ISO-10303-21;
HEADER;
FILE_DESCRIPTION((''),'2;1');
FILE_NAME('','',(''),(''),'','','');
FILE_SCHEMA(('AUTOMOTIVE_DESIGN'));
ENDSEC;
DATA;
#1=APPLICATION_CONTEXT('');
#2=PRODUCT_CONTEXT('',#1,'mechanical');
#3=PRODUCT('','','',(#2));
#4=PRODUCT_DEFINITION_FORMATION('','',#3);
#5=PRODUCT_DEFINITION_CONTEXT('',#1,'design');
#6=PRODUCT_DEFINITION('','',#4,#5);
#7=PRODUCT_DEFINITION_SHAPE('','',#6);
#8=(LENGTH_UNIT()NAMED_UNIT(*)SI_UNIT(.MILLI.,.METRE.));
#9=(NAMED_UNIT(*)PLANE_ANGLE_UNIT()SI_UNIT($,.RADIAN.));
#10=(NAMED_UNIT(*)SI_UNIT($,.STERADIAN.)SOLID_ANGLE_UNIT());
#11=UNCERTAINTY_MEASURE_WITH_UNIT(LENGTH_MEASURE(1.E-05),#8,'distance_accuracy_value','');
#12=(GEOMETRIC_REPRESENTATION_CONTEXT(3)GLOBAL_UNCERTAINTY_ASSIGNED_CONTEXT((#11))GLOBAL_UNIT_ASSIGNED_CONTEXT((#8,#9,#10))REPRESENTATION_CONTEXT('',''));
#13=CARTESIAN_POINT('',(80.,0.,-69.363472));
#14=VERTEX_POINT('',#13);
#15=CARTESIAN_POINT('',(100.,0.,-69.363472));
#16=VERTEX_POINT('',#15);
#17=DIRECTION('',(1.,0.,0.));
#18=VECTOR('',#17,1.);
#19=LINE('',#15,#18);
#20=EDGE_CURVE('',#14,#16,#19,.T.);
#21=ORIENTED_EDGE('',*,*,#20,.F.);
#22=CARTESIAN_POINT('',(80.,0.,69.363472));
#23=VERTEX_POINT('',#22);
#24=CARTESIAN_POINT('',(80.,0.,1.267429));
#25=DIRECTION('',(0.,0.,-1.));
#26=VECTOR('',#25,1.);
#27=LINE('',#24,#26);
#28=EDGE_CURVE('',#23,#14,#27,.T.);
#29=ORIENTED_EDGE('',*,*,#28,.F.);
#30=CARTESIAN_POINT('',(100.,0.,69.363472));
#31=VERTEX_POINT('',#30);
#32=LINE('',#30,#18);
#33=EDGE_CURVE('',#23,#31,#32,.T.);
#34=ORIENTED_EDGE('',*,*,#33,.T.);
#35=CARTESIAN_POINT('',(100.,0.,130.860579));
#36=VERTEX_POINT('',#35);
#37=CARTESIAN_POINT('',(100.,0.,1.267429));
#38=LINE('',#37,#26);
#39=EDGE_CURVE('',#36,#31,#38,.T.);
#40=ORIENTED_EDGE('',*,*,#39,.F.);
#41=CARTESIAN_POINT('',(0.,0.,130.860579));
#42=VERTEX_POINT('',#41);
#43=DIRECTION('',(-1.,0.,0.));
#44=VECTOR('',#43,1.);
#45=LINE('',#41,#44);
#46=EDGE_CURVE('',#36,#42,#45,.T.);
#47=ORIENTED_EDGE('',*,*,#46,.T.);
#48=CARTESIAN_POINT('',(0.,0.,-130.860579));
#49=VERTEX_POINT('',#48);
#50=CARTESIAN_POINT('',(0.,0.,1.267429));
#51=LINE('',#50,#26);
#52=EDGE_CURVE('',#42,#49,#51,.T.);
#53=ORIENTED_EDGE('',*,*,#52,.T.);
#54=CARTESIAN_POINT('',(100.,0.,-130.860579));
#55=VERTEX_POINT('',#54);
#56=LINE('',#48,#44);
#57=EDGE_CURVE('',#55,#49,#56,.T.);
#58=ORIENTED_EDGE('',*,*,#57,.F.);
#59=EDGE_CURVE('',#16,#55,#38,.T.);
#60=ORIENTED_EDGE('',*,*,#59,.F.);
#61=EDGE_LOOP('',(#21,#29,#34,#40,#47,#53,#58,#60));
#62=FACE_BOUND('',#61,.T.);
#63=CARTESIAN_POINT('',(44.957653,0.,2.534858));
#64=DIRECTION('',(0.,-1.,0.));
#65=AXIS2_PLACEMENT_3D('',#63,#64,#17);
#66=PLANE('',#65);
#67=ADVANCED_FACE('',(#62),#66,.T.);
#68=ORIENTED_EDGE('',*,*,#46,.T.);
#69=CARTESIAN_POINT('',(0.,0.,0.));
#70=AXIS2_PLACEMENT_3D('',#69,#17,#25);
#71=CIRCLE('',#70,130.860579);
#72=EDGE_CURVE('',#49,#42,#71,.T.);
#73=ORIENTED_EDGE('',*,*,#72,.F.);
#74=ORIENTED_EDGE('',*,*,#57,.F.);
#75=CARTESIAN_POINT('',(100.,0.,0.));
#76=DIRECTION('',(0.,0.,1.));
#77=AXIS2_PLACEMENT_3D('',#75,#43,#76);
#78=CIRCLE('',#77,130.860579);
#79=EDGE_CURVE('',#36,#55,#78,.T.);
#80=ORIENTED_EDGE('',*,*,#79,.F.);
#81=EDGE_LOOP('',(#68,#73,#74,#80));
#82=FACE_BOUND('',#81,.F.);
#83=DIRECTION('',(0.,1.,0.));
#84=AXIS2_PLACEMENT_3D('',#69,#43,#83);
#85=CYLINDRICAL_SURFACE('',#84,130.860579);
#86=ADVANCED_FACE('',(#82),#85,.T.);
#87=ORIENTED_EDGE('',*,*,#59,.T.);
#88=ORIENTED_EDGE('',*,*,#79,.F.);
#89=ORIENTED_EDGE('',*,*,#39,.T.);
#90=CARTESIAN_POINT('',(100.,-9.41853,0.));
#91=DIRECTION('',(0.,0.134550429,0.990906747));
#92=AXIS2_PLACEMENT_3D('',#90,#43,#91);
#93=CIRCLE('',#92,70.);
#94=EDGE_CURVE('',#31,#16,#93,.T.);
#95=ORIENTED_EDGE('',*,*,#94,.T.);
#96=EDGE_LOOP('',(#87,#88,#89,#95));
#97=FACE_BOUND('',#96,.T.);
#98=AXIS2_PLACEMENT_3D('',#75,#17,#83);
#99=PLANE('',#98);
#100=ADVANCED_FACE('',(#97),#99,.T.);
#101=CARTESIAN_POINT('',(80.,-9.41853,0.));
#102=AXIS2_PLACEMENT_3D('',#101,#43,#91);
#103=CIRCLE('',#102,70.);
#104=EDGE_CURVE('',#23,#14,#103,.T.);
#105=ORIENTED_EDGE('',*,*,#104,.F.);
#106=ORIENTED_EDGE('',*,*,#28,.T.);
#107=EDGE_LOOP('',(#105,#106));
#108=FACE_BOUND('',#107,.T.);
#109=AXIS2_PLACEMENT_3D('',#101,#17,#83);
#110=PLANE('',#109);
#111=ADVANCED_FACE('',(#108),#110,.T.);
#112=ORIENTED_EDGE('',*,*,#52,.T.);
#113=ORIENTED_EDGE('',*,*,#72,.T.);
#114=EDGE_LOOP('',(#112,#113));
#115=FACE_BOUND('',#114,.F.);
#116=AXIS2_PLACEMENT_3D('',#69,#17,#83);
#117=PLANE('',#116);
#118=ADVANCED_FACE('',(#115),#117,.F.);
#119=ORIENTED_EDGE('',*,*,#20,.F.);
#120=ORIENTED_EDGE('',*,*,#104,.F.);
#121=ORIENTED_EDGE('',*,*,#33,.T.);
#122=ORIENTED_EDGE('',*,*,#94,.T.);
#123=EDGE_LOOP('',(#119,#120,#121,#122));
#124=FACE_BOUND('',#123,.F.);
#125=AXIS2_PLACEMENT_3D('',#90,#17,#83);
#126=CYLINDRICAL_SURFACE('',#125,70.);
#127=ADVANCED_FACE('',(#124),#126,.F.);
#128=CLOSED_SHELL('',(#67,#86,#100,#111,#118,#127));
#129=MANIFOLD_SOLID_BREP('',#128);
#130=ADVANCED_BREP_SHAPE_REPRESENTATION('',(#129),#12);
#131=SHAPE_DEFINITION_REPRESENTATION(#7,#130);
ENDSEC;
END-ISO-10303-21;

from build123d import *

# Parameters (mm, degrees)
F0_R     = 130.860579
F1_DEPTH = 100
F2_R     = 70
F3_DEPTH = 20
F4_W     = 309.986204
F4_H     = 334.951535
F5_DEPTH = 150


with BuildPart() as f1:
    # F0 (on Right) → F1 (new body)
    with BuildSketch(Plane.YZ):
        Circle(F0_R)
    extrude(amount=F1_DEPTH)

    # F2 (on face) → F3 (cut)
    with BuildSketch(Plane.YZ.offset(100)):
        with Locations((-9.41853, 0)):
            Circle(F2_R)
    extrude(amount=-F3_DEPTH, mode=Mode.SUBTRACT)

    # F4 (on Front) → F5 (cut)
    with BuildSketch(Plane.XZ):
        with Locations((44.957653, 2.534858)):
            Rectangle(F4_W, F4_H)
    extrude(amount=F5_DEPTH, mode=Mode.SUBTRACT)


solid = f1.part
